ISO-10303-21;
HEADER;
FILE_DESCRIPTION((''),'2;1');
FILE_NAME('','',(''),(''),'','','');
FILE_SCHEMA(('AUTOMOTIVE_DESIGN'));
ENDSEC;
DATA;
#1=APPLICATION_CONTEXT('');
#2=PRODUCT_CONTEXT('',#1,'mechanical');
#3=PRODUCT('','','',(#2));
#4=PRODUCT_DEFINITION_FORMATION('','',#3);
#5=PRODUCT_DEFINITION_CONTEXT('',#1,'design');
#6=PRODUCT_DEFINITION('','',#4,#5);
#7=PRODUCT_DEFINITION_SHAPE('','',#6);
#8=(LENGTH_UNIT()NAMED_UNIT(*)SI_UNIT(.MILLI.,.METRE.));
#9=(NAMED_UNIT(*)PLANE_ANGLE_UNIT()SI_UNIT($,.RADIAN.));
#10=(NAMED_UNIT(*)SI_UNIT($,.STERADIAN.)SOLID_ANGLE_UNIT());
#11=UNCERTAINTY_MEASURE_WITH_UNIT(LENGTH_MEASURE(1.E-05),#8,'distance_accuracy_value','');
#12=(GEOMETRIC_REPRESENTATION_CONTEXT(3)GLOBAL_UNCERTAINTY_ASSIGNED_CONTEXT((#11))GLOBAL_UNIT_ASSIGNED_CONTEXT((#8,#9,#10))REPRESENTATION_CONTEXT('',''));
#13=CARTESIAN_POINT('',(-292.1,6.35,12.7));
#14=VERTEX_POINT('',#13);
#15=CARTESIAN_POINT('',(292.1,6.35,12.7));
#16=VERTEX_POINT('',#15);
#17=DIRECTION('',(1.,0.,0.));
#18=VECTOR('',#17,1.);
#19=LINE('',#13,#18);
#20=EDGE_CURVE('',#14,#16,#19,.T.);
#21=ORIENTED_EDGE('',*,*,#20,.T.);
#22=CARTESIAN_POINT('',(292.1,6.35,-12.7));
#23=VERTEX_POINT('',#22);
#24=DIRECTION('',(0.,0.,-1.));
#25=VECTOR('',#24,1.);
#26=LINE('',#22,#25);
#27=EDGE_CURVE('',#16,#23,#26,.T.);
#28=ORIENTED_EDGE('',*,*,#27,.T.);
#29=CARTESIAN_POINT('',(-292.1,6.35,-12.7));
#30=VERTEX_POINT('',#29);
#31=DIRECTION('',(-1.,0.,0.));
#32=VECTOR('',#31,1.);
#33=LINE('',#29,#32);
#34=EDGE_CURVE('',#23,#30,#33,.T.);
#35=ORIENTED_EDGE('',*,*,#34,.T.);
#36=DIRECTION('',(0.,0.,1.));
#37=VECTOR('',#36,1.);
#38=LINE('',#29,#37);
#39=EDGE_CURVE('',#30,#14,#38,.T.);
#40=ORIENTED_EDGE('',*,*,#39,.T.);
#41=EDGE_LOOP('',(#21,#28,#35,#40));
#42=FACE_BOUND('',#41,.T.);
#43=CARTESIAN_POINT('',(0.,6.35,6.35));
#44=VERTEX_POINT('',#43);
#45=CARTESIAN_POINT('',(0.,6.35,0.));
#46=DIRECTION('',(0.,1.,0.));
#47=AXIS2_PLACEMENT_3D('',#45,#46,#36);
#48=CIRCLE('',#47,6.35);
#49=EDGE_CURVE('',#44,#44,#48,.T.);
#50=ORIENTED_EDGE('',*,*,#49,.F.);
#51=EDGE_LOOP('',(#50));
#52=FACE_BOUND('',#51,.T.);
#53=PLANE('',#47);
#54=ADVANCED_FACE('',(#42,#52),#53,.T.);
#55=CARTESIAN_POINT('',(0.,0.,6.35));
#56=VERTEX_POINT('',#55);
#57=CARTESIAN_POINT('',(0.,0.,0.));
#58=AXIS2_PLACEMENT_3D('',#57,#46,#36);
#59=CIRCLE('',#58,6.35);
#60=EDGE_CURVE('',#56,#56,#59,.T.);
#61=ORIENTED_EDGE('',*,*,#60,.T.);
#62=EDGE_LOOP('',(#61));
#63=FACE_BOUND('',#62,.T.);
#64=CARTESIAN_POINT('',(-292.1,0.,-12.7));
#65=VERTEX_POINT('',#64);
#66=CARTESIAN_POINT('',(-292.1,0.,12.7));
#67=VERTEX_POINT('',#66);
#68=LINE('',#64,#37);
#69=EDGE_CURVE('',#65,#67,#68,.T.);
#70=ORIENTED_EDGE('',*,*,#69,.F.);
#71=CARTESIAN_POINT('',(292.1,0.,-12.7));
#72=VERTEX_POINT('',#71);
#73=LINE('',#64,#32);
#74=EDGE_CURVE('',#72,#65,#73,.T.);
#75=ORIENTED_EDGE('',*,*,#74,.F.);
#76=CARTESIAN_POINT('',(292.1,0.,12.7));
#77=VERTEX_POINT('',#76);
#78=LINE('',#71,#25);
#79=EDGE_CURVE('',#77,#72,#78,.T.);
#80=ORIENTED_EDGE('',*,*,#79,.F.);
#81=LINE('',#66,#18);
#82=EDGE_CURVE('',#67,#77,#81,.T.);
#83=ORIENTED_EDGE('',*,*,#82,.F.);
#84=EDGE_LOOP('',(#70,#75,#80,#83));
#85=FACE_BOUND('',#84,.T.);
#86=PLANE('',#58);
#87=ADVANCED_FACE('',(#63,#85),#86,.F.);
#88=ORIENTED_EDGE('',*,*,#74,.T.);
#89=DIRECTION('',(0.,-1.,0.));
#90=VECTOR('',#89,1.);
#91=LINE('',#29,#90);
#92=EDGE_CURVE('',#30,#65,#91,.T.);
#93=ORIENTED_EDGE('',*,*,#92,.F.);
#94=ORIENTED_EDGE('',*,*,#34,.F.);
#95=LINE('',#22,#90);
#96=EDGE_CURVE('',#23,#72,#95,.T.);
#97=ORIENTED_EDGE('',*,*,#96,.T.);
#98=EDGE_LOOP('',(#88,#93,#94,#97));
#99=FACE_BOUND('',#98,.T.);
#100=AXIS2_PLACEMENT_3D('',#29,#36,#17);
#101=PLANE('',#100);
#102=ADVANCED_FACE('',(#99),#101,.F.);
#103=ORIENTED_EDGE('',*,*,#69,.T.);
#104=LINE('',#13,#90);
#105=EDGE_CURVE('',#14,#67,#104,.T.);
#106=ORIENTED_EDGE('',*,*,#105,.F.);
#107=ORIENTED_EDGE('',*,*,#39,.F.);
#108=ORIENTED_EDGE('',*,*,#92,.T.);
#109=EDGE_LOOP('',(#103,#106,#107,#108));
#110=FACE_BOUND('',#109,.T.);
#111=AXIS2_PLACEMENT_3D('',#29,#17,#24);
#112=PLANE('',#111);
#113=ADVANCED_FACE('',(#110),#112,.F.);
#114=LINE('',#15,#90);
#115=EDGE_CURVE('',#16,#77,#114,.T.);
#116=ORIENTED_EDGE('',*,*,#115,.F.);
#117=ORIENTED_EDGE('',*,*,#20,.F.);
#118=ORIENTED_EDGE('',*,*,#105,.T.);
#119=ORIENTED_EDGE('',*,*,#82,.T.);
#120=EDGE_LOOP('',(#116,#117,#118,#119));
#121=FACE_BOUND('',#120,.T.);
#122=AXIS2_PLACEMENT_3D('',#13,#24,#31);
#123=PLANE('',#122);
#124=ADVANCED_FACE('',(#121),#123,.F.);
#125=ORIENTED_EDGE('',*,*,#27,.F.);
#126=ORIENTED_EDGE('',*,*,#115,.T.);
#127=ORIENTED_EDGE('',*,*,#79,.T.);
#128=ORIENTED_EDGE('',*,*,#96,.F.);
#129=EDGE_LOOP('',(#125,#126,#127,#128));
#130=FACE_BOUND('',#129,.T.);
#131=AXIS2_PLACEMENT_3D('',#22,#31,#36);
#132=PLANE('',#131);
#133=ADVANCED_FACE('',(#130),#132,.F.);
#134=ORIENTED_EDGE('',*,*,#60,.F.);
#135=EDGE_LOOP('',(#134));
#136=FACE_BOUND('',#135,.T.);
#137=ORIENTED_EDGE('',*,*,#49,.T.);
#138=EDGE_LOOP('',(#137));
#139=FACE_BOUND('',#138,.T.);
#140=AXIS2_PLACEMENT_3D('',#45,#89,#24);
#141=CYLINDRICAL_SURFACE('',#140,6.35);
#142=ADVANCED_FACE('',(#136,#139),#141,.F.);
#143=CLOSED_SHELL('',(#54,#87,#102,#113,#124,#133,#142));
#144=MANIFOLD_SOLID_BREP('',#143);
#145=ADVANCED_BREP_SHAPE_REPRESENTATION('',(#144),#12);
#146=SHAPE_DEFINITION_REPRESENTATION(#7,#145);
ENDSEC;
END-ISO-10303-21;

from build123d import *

# Parameters (mm, degrees)
SKETCH1_W           = 584.2
SKETCH1_H           = 25.4
SKETCH1_R           = 6.35
BOSS_EXTRUDE1_DEPTH = 6.35


with BuildPart() as part:
    # Sketch1 → Boss-Extrude1 (new body)
    with BuildSketch(Plane(origin=(0, 0, 0), x_dir=(1, 0, 0), z_dir=(0, 1, 0))):
        Rectangle(SKETCH1_W, SKETCH1_H)
        Circle(SKETCH1_R, mode=Mode.SUBTRACT)
    extrude(amount=BOSS_EXTRUDE1_DEPTH)


solid = part.part
